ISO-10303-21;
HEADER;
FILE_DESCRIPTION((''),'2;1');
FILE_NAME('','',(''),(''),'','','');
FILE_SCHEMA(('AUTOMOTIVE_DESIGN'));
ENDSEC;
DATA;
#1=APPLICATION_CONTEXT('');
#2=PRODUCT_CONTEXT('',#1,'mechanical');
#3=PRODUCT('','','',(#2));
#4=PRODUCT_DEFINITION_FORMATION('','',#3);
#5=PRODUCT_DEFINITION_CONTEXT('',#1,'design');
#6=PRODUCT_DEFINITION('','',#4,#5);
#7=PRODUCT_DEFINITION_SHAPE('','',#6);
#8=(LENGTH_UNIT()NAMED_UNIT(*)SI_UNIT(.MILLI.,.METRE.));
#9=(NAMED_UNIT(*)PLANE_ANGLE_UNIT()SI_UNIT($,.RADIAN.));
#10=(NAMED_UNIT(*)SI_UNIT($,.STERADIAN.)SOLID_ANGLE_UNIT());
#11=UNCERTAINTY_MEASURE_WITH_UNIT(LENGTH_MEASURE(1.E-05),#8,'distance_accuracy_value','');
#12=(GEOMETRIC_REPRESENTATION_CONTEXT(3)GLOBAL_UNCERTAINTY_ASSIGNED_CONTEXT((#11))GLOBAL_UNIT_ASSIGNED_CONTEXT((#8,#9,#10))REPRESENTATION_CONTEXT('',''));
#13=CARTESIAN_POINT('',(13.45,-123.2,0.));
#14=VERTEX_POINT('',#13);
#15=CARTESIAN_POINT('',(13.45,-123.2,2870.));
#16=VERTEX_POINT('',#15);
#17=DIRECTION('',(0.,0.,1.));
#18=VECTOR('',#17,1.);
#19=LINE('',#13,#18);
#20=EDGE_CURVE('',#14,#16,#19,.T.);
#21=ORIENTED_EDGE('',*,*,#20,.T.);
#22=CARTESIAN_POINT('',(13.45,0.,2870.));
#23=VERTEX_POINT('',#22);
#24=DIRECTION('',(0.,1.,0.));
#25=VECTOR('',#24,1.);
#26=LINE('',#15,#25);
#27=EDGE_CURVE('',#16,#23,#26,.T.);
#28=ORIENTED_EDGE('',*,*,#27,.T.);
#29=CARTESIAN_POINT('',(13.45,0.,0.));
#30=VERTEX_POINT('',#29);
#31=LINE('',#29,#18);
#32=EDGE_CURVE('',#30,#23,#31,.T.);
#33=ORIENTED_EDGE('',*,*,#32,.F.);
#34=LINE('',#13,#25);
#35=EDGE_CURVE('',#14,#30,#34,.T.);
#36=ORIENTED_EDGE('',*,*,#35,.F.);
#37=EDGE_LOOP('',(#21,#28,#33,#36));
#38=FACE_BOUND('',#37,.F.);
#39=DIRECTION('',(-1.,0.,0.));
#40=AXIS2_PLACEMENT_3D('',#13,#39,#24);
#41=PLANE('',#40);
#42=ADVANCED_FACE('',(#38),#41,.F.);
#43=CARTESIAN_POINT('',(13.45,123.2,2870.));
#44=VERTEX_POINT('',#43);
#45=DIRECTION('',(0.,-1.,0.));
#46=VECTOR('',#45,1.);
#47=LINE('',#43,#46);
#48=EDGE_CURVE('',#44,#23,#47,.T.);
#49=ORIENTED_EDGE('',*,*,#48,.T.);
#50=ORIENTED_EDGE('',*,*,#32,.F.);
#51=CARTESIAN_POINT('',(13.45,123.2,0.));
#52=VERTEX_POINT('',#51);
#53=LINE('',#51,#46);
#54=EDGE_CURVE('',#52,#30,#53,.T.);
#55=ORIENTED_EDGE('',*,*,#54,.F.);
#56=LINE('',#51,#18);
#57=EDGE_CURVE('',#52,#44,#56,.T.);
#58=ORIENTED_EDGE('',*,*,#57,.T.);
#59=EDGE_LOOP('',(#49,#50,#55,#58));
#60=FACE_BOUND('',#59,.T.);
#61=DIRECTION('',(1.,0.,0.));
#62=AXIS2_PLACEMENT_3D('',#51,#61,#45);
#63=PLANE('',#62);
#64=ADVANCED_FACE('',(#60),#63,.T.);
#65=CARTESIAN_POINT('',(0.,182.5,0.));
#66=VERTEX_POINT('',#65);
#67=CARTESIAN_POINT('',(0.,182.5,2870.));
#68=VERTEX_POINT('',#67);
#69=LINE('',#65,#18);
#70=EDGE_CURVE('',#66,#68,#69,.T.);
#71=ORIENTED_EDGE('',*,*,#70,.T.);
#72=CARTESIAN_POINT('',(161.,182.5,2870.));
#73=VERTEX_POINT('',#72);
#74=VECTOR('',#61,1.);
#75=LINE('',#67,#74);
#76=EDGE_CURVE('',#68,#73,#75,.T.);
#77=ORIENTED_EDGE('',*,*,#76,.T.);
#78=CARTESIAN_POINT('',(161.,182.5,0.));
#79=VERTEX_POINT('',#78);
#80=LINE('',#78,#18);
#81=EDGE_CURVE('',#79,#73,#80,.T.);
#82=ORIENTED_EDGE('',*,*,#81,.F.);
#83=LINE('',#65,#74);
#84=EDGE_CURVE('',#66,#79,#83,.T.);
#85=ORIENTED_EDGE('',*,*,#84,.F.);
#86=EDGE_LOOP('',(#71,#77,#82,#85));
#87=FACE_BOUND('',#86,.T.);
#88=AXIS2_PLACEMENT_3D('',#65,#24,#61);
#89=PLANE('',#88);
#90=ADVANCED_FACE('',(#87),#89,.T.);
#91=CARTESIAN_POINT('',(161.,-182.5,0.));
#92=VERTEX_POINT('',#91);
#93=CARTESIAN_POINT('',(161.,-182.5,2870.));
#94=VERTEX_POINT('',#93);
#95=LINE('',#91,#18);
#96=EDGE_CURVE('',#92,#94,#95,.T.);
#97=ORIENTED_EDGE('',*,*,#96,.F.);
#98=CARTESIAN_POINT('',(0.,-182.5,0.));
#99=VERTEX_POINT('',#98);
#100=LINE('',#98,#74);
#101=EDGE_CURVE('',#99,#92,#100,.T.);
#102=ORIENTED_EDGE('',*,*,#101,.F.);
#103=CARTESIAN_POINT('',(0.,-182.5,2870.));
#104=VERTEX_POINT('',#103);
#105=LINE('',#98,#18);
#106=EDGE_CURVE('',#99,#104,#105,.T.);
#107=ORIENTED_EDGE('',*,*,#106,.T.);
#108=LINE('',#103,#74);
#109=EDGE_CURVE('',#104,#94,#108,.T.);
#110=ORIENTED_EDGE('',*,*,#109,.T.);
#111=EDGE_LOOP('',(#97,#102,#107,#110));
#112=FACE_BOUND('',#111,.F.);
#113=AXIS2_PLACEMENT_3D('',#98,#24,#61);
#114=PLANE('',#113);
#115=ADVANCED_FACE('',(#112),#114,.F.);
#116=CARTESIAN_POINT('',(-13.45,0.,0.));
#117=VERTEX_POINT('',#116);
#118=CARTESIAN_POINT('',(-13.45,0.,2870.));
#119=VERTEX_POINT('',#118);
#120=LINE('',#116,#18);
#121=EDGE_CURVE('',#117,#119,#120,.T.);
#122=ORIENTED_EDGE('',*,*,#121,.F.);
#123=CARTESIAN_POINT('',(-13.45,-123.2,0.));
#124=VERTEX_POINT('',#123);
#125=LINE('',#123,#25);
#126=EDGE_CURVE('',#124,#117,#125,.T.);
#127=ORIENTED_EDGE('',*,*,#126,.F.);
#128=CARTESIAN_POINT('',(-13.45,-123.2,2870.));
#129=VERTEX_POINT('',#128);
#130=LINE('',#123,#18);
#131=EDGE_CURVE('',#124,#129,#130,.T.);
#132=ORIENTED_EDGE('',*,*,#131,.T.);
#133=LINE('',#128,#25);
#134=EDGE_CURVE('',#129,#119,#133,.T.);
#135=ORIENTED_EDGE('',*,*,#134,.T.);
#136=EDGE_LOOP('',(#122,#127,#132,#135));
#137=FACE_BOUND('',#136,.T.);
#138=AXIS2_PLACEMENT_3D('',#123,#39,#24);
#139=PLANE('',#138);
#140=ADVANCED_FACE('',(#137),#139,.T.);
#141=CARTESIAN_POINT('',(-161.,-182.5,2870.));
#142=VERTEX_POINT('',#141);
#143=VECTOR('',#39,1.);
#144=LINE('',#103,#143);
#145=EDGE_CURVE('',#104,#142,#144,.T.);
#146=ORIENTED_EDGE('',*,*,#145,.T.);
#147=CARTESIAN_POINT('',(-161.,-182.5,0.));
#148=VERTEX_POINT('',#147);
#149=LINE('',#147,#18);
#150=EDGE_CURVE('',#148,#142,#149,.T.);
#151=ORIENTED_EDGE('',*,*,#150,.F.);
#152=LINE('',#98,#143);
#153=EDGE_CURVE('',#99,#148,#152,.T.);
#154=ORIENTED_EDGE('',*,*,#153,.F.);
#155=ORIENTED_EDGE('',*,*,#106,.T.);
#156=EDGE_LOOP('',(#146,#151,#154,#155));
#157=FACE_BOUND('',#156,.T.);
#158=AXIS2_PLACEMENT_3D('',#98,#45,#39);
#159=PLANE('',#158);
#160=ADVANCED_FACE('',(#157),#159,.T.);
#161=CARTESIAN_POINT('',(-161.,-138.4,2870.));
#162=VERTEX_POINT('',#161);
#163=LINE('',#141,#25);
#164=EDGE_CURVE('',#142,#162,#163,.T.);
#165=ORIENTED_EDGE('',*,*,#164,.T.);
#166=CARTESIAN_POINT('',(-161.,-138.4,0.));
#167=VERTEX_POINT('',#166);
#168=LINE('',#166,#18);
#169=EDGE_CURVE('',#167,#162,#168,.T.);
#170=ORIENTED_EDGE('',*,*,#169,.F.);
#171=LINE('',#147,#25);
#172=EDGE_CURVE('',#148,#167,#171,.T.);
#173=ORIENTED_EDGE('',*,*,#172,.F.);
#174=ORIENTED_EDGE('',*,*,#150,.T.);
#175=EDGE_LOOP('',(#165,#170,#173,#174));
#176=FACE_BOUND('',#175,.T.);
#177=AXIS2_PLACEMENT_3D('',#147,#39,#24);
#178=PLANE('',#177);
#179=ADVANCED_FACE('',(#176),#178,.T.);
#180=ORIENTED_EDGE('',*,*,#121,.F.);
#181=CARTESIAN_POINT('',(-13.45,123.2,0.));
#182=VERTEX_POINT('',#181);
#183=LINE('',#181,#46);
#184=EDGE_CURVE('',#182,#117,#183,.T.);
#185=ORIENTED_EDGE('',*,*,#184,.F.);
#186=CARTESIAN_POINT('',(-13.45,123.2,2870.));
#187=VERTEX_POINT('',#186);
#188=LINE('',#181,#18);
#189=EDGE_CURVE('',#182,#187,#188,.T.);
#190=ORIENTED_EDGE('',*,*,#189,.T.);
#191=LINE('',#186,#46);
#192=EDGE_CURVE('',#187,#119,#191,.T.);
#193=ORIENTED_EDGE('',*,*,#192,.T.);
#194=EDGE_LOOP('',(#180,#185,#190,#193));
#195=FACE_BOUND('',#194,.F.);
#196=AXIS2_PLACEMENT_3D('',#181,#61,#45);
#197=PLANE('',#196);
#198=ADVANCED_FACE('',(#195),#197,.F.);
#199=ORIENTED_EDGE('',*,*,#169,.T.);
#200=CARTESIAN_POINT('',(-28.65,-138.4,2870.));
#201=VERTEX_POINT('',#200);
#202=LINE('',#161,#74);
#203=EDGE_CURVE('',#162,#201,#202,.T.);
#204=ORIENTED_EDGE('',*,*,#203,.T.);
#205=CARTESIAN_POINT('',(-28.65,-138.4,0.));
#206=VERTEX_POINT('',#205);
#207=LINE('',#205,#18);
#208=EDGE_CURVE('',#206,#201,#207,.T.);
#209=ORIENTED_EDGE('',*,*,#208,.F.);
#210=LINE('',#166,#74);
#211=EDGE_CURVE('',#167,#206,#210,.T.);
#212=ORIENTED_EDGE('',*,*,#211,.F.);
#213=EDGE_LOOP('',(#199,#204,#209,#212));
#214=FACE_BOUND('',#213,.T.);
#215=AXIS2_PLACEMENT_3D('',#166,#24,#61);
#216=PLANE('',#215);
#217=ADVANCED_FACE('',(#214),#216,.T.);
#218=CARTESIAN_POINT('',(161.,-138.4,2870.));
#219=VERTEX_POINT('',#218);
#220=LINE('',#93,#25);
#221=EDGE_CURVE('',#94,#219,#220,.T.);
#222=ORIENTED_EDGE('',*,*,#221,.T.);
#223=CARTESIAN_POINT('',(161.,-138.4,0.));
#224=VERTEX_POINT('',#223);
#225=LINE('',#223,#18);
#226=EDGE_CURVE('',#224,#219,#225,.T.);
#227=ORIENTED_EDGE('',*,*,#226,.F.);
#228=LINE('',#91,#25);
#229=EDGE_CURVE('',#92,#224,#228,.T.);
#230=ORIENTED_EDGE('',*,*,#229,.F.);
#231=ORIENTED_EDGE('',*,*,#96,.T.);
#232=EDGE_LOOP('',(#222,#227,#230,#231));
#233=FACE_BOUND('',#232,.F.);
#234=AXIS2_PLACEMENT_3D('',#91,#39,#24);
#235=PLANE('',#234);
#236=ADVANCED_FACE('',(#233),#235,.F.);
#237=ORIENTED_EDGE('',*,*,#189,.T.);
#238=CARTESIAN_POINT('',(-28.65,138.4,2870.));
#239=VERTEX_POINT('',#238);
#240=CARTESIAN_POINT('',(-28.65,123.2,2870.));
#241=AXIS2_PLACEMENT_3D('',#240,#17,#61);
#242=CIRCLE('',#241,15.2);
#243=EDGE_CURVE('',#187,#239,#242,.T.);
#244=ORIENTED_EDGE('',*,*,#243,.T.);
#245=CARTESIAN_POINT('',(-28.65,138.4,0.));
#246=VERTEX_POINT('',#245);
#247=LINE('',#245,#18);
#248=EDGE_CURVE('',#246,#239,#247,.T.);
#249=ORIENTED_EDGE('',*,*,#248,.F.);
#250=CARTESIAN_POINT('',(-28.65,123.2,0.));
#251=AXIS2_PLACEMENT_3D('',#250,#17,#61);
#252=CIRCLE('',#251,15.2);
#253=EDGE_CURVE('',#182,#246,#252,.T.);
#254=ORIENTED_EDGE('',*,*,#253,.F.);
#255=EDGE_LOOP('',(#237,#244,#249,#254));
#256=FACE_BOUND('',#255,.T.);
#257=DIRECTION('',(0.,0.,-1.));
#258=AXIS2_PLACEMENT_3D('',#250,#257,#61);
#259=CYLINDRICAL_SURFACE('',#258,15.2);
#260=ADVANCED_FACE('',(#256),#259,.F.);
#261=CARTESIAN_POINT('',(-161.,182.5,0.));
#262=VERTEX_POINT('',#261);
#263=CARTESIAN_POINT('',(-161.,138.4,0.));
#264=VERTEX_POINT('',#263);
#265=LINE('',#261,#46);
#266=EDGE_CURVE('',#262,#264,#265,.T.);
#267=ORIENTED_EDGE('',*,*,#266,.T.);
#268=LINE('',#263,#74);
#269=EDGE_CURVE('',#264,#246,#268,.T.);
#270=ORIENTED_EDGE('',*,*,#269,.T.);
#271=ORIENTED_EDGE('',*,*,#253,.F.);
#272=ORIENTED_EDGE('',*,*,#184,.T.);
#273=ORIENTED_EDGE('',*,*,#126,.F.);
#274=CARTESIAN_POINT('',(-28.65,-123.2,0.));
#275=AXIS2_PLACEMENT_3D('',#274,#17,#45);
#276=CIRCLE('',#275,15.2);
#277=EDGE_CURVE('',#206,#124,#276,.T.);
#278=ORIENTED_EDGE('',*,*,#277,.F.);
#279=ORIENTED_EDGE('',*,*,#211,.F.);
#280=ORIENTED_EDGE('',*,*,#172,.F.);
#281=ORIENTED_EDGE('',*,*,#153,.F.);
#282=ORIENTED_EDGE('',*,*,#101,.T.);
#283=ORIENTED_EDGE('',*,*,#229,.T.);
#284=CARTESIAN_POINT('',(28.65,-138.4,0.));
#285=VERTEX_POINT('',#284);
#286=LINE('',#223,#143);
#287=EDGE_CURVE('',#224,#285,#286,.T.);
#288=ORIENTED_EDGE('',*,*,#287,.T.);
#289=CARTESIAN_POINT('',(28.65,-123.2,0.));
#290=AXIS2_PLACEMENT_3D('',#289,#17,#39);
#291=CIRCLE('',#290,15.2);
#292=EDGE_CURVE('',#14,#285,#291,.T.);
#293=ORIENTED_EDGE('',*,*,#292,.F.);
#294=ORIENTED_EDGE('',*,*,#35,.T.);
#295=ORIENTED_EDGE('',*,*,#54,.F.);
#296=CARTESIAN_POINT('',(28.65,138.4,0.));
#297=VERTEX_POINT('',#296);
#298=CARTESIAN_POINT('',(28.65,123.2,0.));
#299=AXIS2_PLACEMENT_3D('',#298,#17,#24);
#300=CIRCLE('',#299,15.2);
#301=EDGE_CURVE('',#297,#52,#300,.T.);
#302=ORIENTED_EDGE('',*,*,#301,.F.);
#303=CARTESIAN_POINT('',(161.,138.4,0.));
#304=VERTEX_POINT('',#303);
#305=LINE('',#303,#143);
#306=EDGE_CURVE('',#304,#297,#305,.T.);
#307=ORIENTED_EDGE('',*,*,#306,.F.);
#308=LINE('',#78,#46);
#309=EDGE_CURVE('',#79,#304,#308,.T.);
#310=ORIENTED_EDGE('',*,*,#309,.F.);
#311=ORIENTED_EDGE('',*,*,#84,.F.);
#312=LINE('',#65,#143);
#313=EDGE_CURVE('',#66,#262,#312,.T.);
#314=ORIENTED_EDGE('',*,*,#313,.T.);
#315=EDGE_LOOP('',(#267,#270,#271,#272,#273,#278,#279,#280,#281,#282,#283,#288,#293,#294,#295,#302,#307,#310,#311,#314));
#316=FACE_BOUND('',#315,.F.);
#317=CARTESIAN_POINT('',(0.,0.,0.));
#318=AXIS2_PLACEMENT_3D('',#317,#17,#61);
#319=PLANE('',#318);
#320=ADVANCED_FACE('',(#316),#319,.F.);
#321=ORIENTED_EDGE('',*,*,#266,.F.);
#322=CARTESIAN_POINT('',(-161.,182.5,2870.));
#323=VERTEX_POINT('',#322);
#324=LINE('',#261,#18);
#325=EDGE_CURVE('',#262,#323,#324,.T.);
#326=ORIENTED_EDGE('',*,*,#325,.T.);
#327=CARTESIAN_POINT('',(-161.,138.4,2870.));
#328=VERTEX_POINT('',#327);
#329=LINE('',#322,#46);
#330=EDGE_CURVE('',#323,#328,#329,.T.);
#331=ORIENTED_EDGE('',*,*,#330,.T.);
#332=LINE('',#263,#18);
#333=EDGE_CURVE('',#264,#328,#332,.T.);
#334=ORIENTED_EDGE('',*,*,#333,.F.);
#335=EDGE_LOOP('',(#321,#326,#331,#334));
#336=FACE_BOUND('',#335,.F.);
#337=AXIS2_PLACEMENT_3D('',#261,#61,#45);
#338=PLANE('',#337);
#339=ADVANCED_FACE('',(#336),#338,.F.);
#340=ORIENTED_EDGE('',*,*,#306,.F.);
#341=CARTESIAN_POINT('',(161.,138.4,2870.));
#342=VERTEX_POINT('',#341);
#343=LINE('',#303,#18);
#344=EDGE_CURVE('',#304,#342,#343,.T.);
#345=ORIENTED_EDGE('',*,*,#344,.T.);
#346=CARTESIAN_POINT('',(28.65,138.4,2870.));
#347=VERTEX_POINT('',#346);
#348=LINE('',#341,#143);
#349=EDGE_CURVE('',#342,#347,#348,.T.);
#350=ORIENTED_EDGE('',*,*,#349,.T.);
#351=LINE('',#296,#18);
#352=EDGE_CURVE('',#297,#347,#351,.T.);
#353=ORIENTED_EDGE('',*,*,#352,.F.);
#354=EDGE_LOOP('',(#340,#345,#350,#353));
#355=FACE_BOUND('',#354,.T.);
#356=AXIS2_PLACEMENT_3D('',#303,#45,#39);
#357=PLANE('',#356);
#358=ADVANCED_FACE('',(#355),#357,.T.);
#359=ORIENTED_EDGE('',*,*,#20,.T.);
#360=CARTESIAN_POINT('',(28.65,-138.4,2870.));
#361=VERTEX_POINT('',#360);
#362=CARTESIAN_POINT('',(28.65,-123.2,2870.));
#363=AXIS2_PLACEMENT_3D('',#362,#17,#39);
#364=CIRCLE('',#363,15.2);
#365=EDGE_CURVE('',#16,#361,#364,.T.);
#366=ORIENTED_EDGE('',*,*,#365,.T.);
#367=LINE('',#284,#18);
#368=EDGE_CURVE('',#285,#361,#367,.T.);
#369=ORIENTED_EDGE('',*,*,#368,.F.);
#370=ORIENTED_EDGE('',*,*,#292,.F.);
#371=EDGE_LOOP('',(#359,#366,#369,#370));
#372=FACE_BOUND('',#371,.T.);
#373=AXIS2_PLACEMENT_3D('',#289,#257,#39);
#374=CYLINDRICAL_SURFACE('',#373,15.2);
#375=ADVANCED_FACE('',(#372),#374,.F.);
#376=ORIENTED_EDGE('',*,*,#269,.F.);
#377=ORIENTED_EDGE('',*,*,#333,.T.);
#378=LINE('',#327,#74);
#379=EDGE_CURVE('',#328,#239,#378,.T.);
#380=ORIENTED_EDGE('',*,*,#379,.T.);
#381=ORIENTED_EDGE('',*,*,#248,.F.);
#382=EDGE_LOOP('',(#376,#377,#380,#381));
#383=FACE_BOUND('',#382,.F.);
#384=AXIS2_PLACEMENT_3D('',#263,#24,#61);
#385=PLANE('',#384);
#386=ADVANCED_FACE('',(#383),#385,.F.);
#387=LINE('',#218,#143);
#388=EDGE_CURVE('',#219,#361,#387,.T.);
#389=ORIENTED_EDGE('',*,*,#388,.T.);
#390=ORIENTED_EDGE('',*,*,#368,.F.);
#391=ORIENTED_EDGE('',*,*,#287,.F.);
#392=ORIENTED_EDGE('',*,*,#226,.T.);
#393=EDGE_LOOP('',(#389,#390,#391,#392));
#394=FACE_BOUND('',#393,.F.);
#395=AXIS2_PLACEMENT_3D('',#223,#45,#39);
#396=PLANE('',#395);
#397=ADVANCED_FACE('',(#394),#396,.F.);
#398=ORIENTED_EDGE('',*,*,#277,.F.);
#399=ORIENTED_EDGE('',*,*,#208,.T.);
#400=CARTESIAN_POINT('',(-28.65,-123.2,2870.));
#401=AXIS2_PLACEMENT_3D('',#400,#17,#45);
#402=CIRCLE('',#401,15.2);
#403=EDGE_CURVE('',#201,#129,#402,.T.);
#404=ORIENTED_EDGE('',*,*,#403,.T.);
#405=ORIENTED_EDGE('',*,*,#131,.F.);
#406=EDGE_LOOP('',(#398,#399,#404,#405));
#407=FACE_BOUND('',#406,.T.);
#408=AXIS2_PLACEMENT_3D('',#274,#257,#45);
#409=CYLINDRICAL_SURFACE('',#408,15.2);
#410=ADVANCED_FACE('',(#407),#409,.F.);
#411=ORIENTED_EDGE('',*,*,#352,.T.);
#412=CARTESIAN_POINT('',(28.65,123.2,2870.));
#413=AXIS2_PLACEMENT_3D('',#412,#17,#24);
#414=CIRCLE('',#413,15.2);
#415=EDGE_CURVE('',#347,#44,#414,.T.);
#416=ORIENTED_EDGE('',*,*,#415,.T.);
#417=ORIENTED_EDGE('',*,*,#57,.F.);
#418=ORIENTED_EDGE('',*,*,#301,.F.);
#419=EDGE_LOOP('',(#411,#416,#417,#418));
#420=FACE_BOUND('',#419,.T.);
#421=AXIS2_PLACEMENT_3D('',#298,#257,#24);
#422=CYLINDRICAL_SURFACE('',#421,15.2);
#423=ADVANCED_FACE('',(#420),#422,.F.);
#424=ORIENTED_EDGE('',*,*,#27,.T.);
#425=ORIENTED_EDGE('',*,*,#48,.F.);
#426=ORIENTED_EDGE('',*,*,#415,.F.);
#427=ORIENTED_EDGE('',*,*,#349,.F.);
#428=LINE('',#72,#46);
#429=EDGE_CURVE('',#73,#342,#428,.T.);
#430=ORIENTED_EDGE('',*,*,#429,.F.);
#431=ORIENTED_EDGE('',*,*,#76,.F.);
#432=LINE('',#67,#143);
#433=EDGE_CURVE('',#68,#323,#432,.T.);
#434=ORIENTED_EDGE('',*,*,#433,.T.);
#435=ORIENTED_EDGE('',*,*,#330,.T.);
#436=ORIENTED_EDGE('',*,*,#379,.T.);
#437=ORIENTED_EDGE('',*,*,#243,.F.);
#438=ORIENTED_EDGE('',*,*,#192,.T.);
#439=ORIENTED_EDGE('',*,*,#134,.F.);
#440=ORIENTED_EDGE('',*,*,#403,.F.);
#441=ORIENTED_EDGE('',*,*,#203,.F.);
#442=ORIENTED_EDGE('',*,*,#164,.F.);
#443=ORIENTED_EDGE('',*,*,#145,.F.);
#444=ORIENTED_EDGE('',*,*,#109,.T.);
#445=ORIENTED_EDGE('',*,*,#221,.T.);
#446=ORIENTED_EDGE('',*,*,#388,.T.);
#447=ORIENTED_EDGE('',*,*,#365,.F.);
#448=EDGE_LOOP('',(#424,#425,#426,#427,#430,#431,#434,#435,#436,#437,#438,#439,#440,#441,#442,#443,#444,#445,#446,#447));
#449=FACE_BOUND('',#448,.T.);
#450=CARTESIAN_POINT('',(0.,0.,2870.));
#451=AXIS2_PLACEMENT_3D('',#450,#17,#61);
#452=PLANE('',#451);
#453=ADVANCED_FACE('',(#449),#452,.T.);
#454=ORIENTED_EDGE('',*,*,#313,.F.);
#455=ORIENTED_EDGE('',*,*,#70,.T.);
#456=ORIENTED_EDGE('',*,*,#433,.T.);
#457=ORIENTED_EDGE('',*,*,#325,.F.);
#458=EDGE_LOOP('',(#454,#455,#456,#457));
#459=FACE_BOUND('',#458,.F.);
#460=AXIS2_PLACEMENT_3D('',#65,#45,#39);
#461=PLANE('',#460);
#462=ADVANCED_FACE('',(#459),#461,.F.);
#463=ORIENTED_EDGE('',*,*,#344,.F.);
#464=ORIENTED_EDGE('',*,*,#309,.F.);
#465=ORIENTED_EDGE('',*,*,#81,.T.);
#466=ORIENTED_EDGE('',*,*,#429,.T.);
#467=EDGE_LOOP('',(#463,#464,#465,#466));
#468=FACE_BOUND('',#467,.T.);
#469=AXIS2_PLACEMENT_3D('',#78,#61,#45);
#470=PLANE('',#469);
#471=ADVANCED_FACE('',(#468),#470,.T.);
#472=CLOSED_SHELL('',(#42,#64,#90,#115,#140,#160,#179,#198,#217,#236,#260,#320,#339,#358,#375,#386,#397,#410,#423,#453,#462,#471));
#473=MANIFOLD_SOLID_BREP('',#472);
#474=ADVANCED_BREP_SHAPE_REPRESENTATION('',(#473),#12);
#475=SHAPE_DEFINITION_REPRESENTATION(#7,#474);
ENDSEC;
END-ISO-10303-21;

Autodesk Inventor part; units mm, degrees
ref_plane "YZ Plane" through (0, 0, 0) normal (1, 0, 0) x (0, 1, 0)
ref_plane "Start plane" through (0, 0, 0) normal (0, 0, 1) x (1, 0, 0)
ref_plane "End plane" through (0, 0, 2870) normal (0, 0, 1) x (1, 0, 0)
sketch "Sketch" plane through (0, 0, 0) normal (0, 0, 1) x (1, 0, 0)
  line L0 (-161, -182.5) -> (-161, -138.4)
  line L1 (-161, -138.4) -> (-28.65, -138.4)
  line L2 (-13.45, -123.2) -> (-13.45, 0)
  line L3 (-13.45, 0) -> (0, 0) construction
  line L4 (0, 0) -> (0, -182.5) construction
  line L5 (0, -182.5) -> (-161, -182.5)
  line L6 (-60, 0) -> (80, 0) construction
  line L7 (0, -60) -> (0, 80) construction
  line L8 (161, -182.5) -> (161, -138.4)
  line L9 (161, -138.4) -> (28.65, -138.4)
  line L10 (13.45, -123.2) -> (13.45, 0)
  line L11 (13.45, 0) -> (0, 0) construction
  line L12 (0, -182.5) -> (161, -182.5)
  line L13 (-161, 182.5) -> (-161, 138.4)
  line L14 (-161, 138.4) -> (-28.65, 138.4)
  line L15 (-13.45, 123.2) -> (-13.45, 0)
  line L16 (0, 182.5) -> (-161, 182.5)
  line L17 (161, 182.5) -> (161, 138.4)
  line L18 (161, 138.4) -> (28.65, 138.4)
  line L19 (0, 182.5) -> (161, 182.5)
  line L20 (13.45, 123.2) -> (13.45, 0)
  arc A0 (-13.45, 123.2) -> (-28.65, 138.4) centre (-28.65, 123.2) ccw
  arc A1 (28.65, 138.4) -> (13.45, 123.2) centre (28.65, 123.2) ccw
  arc A2 (13.45, -123.2) -> (28.65, -138.4) centre (28.65, -123.2) ccw
  arc A3 (-28.65, -138.4) -> (-13.45, -123.2) centre (-28.65, -123.2) ccw
  line L21 (0, 108) -> (0, -88) construction
  line L22 (-88, 0) -> (108, 0) construction
  point P0 (-13.45, -138.4)
  point P1 (13.45, -138.4)
  point P2 (-13.45, 138.4)
  point P3 (13.45, 138.4)
  dimension "d1" = 182.5
  dimension "d2" = 44.1
  dimension "d3" = 161
  dimension "d4" = 13.45
  dimension "d10" = 15.2
extrude "Body" add sketch "Sketch" along normal up to surface (2870 mm away) from surface at 0
sketch "Sketch4" plane through (0, 0, 0) normal (0, 0, 1) x (1, 0, 0)
  line L0 (0, 0) -> (10, 0)
ref_plane "Work Plane3" through (0, 0, 0) normal (0, -1, 0) x (1, 0, 0)
sketch "Sketch5" plane through (0, 0, 0) normal (0, -1, 0) x (1, 0, 0)
  line L0 (-2, 0) -> (12, 0) projected
  line L1 (-2, 2870) -> (12, 2870) projected
  dimension "d14" = 2870
equation "\"d1\" = 0.5 * G_H"
equation "\"d2\" = G_T1"
equation "\"d3\" = 0.5 * G_W"
equation "\"d4\" = 0.5 * G_T"
equation "\"d10\" = G_IR"
equation "\"d5\" = G_L"
equation "\"G_W\" = 322"
equation "\"G_H\" = 365"
equation "\"G_T\" = 26.9"
equation "\"G_T1\" = 44.1"
equation "\"G_IR\" = 15.2"
equation "\"G_L\" = d14"
equation "\"G_OFFSET_START\" = 0"
equation "\"G_OFFSET_END\" = 0"
properties part number "AS 3679 - 310 UC - 283 - 2870" material "Steel, Mild"
